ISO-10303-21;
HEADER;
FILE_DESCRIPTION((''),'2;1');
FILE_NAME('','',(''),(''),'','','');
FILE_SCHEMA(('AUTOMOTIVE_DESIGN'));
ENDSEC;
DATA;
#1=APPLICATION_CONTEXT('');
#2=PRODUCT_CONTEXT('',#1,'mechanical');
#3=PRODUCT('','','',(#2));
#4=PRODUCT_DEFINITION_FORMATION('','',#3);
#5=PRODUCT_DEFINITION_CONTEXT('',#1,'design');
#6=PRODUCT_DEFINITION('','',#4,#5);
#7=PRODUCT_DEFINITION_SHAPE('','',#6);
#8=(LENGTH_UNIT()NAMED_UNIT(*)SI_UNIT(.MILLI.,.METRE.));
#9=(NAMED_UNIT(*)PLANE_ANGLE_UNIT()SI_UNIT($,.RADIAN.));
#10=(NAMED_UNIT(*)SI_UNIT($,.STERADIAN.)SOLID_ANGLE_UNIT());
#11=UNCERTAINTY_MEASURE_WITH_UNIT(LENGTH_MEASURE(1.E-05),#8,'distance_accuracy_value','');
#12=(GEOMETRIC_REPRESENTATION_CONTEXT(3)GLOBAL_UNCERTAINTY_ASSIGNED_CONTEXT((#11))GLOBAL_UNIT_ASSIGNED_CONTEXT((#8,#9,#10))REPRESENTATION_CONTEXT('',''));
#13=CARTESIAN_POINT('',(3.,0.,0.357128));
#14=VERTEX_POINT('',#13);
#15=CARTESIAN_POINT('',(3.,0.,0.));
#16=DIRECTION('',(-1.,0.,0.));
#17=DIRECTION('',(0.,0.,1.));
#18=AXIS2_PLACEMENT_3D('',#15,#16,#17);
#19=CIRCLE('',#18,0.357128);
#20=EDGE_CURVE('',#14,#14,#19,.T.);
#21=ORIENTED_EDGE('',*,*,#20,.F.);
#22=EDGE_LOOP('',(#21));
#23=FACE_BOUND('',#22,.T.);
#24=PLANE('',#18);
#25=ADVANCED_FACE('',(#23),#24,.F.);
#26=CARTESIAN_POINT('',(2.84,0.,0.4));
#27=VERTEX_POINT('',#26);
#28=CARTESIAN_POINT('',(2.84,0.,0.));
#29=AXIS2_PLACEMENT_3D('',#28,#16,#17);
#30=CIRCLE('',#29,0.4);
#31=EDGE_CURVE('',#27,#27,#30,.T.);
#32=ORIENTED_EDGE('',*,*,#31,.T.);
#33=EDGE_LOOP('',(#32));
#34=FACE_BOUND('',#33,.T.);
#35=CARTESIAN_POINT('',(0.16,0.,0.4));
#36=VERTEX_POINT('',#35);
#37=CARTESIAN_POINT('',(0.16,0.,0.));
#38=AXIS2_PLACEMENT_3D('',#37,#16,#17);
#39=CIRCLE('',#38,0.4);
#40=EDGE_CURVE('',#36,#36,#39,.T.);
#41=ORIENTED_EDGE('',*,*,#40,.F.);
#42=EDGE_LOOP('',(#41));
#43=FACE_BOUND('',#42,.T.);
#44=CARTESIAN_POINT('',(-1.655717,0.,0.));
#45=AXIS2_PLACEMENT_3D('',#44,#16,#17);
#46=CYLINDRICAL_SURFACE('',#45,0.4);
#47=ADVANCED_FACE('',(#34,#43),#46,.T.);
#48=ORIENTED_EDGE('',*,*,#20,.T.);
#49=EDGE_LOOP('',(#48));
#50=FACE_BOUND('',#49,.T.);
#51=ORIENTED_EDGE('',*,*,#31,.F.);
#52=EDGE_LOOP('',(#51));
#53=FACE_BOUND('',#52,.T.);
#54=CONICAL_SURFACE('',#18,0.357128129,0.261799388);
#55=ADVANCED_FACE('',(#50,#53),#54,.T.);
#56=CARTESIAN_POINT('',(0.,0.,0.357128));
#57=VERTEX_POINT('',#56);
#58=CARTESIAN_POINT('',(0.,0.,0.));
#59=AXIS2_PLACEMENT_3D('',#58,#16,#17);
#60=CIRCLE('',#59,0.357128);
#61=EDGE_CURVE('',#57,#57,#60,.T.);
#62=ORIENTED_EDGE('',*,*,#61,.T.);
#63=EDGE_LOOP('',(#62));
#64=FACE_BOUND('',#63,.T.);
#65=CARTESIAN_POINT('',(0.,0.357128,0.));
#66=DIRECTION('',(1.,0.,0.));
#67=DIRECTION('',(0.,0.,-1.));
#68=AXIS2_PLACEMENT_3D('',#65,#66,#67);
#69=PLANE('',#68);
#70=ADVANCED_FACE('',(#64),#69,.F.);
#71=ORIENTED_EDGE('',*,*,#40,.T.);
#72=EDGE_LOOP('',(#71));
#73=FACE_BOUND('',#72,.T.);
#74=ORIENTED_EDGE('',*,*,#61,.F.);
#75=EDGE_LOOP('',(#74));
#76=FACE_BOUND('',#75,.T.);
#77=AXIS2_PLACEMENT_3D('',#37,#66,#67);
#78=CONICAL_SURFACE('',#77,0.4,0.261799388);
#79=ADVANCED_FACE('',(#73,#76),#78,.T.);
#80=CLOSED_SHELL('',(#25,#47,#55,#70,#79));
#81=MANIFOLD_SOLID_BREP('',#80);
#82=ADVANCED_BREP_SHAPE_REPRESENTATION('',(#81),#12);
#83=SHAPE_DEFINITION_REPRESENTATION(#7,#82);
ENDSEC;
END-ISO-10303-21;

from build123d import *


with BuildPart() as part:
    # Sketch1 → Base-Revolve (revolve)
    with BuildSketch(Plane.XY, mode=Mode.PRIVATE) as base_revolve_sk:
        Polygon((0, 0), (3, 0), (3, 0.357128129), (2.84, 0.4), (0.16, 0.4), (0, 0.357128129), align=None)
    revolve(base_revolve_sk.sketch.rotate(Axis((-1.655717266, 0, 0), (1, 0, 0)), 90), axis=Axis((-1.655717266, 0, 0), (1, 0, 0)))


solid = part.part
